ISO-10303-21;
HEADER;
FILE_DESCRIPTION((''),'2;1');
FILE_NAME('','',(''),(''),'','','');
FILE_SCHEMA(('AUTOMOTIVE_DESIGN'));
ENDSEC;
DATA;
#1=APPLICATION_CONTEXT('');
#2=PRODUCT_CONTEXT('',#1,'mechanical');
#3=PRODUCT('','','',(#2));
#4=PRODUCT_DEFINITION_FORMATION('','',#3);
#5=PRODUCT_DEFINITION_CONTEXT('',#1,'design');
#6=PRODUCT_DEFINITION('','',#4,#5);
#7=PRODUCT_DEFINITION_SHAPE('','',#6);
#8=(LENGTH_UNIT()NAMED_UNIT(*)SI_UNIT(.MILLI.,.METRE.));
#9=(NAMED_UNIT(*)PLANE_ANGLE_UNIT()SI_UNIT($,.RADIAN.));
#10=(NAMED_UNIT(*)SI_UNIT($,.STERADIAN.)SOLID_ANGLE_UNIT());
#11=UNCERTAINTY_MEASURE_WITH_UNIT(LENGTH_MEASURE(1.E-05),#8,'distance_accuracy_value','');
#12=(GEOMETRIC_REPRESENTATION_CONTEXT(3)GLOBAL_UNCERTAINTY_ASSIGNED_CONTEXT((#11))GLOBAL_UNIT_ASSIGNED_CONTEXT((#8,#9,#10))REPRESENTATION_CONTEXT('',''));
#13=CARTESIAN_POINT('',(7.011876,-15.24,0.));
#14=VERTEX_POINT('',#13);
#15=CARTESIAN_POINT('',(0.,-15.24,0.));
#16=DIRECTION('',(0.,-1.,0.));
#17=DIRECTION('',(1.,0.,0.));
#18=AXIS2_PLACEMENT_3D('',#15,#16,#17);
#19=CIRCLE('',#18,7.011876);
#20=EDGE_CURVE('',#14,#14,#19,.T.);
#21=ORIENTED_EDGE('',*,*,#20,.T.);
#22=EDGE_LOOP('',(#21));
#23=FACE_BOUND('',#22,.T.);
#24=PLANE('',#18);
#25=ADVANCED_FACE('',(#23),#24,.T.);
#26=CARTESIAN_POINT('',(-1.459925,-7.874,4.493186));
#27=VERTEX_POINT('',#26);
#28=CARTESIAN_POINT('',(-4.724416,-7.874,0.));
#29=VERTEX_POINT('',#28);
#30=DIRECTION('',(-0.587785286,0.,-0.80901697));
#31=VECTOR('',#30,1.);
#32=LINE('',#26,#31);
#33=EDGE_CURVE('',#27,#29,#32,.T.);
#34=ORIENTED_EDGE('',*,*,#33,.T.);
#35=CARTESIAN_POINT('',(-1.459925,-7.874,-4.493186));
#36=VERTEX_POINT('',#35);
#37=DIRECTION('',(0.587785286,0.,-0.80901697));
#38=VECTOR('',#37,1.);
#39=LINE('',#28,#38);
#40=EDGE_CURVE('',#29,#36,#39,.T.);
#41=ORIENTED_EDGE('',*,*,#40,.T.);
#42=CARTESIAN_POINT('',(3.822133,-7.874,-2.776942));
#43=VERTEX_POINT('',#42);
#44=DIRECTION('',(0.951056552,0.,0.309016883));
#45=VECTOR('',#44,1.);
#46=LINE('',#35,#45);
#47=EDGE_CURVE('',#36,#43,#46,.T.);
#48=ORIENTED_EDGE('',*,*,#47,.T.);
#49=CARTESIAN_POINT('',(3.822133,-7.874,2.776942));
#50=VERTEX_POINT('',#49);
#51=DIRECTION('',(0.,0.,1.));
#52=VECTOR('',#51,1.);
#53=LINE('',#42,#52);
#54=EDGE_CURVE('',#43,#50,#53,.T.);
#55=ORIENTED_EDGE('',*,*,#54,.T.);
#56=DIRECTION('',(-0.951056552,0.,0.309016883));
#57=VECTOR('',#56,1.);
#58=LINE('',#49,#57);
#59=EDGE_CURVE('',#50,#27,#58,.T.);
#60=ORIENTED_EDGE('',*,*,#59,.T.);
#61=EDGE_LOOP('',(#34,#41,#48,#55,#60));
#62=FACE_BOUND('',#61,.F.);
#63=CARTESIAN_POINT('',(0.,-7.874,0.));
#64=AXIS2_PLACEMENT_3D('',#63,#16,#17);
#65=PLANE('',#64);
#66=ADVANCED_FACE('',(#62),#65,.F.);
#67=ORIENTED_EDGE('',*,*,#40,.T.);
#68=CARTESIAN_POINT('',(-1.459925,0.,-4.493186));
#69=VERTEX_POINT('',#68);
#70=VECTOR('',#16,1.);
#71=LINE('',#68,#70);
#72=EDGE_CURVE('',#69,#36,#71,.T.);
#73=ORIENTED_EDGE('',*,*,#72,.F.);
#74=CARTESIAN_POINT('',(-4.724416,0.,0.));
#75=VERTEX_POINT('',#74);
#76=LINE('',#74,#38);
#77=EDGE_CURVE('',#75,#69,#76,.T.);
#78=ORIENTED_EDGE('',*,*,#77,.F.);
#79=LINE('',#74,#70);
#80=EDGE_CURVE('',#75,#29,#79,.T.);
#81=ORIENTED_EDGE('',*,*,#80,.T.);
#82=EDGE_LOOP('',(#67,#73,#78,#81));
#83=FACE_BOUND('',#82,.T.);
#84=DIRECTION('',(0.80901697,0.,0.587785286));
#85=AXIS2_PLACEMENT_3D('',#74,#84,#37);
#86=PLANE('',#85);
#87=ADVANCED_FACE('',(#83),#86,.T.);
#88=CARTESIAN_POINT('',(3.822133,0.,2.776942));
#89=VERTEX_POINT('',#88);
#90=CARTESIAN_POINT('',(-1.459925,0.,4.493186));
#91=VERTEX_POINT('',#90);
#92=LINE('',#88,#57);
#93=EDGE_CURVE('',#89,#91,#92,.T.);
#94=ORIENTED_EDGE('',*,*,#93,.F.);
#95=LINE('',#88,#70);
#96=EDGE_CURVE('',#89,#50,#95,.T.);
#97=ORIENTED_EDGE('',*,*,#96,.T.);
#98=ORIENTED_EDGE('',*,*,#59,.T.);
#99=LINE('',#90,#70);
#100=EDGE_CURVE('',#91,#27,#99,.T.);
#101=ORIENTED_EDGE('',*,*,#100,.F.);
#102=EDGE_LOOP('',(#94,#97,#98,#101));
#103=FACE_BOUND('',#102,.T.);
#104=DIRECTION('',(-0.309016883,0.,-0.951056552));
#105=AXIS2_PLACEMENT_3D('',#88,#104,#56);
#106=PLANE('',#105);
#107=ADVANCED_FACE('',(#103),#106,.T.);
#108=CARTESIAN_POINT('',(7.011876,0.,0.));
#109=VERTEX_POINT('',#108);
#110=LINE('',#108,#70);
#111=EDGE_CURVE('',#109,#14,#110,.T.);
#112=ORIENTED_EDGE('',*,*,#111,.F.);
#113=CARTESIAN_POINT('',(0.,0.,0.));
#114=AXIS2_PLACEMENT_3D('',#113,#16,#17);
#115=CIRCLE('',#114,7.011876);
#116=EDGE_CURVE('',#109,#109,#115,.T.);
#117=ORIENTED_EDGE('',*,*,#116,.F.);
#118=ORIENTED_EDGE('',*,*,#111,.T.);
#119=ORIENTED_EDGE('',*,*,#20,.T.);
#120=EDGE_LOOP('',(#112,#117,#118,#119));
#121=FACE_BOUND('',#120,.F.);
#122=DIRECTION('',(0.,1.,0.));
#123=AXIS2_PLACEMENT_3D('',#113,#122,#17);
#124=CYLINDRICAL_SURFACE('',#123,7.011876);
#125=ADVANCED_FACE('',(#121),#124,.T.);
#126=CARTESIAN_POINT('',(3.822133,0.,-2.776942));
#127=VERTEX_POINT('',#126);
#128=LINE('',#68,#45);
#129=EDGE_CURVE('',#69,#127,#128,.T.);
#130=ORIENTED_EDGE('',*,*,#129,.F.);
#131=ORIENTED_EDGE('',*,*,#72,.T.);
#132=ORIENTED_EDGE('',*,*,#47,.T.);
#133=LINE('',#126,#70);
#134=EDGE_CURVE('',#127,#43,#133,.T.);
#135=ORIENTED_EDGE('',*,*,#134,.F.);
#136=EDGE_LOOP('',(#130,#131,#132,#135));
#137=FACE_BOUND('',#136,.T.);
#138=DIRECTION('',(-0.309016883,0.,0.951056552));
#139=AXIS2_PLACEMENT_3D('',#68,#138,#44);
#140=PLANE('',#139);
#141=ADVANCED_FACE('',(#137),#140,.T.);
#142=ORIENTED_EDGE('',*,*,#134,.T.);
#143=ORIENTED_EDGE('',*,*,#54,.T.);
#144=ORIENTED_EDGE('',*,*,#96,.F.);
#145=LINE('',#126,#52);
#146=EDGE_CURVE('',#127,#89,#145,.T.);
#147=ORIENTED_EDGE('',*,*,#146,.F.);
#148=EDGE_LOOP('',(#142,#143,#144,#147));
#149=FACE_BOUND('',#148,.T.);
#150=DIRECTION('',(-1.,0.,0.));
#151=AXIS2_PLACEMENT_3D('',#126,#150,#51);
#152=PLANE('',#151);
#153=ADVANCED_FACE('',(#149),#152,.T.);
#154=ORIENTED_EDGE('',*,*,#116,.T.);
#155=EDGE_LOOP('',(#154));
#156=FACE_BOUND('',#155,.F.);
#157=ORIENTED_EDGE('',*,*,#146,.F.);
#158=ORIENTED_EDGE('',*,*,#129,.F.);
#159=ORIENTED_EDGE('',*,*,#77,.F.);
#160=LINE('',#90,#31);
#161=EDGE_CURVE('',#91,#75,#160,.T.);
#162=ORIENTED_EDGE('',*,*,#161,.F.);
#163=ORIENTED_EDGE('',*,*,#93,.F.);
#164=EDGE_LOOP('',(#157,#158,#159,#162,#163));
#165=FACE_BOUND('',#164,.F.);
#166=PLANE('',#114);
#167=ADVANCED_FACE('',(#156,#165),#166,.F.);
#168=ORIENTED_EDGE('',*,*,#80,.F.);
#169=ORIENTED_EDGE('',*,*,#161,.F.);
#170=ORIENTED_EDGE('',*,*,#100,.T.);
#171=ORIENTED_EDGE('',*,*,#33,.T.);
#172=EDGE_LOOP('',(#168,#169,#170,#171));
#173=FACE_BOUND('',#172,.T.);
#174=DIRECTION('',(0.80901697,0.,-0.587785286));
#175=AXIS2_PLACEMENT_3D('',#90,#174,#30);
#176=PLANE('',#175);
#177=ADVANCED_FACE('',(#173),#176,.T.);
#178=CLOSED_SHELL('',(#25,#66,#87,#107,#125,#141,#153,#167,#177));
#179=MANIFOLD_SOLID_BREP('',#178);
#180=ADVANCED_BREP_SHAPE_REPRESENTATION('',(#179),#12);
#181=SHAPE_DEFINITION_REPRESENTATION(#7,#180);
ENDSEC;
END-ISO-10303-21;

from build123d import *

# Parameters (mm, degrees)
F0_R     = 7.011876
F1_DEPTH = 15.24
F3_DEPTH = 7.874


with BuildPart() as f1:
    # F0 (on Front) → F1 (new body)
    with BuildSketch(Plane.XZ):
        Circle(F0_R)
    extrude(amount=F1_DEPTH)

    # F2 (on Front) → F3 (cut)
    with BuildSketch(Plane.XZ):
        Polygon((3.822133, -2.776942), (3.822133, 2.776942), (-1.459925, 4.493186), (-4.724416, 0), (-1.459925, -4.493186), align=None)
    extrude(amount=F3_DEPTH, mode=Mode.SUBTRACT)


solid = f1.part
